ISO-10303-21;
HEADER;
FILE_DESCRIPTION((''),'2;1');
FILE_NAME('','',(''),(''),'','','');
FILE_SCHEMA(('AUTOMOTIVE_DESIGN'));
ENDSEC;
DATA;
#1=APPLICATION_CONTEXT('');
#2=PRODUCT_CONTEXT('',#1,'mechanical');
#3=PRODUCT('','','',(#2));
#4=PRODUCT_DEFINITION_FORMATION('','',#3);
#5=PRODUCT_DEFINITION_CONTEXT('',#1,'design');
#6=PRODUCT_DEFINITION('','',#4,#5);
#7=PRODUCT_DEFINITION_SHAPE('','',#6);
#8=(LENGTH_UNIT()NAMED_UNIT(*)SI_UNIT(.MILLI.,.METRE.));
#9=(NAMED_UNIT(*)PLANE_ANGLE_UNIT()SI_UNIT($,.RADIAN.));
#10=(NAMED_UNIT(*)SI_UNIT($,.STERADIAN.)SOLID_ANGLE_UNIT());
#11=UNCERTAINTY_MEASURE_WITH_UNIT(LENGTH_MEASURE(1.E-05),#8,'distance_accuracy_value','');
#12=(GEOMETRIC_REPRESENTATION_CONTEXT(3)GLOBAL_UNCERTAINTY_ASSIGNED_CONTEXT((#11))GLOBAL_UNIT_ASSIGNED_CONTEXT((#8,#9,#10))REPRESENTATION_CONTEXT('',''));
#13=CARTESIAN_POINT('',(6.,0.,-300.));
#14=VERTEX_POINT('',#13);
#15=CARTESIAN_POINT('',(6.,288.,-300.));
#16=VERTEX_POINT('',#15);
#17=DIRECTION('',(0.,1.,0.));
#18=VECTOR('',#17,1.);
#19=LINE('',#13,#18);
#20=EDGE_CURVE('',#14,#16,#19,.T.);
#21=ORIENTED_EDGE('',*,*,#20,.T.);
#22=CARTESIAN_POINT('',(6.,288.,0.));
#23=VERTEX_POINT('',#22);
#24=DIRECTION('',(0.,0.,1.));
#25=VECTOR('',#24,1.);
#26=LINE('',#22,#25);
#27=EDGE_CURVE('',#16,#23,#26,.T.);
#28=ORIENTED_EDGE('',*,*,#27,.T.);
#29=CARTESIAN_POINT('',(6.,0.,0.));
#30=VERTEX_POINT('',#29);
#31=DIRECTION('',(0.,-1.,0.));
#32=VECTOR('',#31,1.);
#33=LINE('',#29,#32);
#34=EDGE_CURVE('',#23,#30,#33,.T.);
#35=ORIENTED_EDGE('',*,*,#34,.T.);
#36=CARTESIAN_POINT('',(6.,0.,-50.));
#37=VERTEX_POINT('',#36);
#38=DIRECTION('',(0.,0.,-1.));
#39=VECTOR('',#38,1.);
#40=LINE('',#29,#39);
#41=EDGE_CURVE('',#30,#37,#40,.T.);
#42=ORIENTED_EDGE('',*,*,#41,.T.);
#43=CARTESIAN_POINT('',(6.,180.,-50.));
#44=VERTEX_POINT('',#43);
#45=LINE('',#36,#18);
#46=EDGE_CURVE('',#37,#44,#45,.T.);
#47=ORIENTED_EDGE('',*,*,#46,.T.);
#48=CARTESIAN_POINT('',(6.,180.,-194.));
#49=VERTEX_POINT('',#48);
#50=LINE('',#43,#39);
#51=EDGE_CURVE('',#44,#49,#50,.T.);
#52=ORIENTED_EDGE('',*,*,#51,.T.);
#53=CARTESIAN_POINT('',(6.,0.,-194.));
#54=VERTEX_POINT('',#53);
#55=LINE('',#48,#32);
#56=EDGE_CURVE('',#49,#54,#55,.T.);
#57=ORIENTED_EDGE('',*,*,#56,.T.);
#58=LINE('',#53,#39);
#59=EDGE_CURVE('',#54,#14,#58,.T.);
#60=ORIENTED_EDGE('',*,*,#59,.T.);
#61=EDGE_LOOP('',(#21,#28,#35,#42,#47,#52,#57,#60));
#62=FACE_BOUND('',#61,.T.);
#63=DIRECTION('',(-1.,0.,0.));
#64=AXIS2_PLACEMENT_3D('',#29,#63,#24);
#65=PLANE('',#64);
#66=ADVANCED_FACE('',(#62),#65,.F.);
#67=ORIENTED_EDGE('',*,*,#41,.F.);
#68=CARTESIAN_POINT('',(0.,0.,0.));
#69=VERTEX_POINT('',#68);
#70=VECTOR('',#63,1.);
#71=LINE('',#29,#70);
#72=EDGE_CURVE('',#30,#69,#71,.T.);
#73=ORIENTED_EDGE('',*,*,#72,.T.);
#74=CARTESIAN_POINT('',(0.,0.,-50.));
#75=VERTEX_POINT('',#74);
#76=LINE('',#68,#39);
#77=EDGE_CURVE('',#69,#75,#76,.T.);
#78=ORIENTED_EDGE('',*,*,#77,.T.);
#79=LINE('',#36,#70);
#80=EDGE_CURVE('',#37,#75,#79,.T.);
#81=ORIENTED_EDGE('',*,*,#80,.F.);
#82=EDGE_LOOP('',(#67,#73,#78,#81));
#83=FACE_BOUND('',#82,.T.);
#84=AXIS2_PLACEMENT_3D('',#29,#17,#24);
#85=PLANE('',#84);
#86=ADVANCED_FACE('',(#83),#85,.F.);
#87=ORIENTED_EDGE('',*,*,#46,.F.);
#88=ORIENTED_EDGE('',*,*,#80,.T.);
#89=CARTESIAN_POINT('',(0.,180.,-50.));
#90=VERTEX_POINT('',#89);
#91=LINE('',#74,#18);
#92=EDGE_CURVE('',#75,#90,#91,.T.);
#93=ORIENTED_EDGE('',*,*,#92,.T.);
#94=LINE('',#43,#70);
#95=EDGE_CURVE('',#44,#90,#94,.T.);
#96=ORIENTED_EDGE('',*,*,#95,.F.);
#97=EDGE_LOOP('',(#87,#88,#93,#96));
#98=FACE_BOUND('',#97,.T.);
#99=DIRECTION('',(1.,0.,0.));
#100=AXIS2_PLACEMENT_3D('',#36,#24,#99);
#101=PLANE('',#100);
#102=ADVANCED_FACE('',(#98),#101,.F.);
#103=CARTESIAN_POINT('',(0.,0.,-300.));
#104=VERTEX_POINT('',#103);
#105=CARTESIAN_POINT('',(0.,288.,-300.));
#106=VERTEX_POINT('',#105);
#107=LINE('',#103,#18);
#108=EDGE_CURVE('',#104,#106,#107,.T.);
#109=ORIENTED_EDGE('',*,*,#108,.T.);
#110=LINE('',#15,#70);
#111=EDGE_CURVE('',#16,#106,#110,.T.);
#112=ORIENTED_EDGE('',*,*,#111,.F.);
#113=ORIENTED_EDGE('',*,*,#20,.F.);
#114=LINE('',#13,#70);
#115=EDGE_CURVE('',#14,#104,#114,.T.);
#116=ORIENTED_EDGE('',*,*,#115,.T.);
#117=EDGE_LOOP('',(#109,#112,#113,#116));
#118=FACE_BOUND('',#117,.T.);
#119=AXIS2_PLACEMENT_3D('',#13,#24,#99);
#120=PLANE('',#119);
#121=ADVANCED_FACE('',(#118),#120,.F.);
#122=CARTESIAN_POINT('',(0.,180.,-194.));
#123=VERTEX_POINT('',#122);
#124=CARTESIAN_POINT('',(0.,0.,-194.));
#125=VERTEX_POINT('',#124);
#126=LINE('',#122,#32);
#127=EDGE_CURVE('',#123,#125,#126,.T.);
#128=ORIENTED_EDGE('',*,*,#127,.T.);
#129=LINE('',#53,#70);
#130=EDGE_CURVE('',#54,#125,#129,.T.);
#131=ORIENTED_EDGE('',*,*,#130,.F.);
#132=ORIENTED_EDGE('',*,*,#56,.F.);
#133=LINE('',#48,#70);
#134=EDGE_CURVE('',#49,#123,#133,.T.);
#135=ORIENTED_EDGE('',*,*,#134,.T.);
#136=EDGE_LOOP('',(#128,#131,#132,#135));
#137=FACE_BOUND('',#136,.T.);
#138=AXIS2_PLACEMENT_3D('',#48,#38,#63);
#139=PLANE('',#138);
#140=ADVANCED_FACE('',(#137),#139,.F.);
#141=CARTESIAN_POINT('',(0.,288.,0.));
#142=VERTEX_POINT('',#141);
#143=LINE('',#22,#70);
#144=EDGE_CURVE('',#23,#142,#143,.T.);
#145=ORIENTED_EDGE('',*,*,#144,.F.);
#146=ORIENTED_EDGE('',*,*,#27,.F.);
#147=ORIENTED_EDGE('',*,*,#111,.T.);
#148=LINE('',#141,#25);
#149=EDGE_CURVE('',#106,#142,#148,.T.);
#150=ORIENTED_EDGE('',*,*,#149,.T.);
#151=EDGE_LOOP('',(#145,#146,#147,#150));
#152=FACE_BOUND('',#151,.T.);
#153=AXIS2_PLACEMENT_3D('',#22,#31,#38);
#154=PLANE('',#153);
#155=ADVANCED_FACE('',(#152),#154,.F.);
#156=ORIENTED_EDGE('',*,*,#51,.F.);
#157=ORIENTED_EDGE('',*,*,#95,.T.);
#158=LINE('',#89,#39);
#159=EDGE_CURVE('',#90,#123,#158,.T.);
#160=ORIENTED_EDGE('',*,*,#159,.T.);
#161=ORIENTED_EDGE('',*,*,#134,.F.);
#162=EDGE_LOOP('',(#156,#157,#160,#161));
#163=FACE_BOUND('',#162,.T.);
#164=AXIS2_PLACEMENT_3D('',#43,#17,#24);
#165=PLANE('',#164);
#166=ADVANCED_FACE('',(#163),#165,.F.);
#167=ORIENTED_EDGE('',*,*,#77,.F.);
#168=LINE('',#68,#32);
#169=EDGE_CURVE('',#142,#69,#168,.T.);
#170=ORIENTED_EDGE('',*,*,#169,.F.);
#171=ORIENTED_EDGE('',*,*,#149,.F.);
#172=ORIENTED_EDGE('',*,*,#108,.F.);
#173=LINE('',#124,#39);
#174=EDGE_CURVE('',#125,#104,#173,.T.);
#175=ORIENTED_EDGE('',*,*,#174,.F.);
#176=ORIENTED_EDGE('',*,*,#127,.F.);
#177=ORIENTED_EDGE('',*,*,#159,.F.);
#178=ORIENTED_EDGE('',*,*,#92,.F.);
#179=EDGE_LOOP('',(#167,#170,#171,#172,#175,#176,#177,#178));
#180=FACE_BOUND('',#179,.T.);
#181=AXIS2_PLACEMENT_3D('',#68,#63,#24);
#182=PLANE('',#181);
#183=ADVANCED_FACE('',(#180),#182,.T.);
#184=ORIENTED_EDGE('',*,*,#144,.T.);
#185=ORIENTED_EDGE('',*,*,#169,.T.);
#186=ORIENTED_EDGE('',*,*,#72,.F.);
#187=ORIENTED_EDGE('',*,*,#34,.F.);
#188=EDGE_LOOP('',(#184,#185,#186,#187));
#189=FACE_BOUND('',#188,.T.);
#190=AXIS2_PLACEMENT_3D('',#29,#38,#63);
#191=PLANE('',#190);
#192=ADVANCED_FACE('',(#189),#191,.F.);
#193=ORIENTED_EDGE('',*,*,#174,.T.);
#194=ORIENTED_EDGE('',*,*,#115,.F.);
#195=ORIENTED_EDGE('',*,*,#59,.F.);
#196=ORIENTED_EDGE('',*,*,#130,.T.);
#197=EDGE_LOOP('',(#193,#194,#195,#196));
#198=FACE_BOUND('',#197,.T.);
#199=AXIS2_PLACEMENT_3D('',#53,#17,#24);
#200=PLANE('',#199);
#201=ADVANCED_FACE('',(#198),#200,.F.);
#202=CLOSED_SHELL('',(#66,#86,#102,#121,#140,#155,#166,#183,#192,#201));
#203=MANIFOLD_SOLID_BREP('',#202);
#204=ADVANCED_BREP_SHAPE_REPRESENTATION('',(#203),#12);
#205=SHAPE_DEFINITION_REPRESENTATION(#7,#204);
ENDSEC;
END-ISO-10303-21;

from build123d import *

# Parameters (mm, degrees)
BOSS_EXTRUDE1_DEPTH = 6


with BuildPart() as part:
    # Sketch1 → Boss-Extrude1 (new body)
    with BuildSketch(Plane(origin=(0, 0, 0), x_dir=(0, 0, -1), z_dir=(1, 0, 0))):
        Polygon((0, 0), (50, 0), (50, 180), (194, 180), (194, 0), (300, 0), (300, 288), (0, 288), align=None)
    extrude(amount=BOSS_EXTRUDE1_DEPTH)


solid = part.part
